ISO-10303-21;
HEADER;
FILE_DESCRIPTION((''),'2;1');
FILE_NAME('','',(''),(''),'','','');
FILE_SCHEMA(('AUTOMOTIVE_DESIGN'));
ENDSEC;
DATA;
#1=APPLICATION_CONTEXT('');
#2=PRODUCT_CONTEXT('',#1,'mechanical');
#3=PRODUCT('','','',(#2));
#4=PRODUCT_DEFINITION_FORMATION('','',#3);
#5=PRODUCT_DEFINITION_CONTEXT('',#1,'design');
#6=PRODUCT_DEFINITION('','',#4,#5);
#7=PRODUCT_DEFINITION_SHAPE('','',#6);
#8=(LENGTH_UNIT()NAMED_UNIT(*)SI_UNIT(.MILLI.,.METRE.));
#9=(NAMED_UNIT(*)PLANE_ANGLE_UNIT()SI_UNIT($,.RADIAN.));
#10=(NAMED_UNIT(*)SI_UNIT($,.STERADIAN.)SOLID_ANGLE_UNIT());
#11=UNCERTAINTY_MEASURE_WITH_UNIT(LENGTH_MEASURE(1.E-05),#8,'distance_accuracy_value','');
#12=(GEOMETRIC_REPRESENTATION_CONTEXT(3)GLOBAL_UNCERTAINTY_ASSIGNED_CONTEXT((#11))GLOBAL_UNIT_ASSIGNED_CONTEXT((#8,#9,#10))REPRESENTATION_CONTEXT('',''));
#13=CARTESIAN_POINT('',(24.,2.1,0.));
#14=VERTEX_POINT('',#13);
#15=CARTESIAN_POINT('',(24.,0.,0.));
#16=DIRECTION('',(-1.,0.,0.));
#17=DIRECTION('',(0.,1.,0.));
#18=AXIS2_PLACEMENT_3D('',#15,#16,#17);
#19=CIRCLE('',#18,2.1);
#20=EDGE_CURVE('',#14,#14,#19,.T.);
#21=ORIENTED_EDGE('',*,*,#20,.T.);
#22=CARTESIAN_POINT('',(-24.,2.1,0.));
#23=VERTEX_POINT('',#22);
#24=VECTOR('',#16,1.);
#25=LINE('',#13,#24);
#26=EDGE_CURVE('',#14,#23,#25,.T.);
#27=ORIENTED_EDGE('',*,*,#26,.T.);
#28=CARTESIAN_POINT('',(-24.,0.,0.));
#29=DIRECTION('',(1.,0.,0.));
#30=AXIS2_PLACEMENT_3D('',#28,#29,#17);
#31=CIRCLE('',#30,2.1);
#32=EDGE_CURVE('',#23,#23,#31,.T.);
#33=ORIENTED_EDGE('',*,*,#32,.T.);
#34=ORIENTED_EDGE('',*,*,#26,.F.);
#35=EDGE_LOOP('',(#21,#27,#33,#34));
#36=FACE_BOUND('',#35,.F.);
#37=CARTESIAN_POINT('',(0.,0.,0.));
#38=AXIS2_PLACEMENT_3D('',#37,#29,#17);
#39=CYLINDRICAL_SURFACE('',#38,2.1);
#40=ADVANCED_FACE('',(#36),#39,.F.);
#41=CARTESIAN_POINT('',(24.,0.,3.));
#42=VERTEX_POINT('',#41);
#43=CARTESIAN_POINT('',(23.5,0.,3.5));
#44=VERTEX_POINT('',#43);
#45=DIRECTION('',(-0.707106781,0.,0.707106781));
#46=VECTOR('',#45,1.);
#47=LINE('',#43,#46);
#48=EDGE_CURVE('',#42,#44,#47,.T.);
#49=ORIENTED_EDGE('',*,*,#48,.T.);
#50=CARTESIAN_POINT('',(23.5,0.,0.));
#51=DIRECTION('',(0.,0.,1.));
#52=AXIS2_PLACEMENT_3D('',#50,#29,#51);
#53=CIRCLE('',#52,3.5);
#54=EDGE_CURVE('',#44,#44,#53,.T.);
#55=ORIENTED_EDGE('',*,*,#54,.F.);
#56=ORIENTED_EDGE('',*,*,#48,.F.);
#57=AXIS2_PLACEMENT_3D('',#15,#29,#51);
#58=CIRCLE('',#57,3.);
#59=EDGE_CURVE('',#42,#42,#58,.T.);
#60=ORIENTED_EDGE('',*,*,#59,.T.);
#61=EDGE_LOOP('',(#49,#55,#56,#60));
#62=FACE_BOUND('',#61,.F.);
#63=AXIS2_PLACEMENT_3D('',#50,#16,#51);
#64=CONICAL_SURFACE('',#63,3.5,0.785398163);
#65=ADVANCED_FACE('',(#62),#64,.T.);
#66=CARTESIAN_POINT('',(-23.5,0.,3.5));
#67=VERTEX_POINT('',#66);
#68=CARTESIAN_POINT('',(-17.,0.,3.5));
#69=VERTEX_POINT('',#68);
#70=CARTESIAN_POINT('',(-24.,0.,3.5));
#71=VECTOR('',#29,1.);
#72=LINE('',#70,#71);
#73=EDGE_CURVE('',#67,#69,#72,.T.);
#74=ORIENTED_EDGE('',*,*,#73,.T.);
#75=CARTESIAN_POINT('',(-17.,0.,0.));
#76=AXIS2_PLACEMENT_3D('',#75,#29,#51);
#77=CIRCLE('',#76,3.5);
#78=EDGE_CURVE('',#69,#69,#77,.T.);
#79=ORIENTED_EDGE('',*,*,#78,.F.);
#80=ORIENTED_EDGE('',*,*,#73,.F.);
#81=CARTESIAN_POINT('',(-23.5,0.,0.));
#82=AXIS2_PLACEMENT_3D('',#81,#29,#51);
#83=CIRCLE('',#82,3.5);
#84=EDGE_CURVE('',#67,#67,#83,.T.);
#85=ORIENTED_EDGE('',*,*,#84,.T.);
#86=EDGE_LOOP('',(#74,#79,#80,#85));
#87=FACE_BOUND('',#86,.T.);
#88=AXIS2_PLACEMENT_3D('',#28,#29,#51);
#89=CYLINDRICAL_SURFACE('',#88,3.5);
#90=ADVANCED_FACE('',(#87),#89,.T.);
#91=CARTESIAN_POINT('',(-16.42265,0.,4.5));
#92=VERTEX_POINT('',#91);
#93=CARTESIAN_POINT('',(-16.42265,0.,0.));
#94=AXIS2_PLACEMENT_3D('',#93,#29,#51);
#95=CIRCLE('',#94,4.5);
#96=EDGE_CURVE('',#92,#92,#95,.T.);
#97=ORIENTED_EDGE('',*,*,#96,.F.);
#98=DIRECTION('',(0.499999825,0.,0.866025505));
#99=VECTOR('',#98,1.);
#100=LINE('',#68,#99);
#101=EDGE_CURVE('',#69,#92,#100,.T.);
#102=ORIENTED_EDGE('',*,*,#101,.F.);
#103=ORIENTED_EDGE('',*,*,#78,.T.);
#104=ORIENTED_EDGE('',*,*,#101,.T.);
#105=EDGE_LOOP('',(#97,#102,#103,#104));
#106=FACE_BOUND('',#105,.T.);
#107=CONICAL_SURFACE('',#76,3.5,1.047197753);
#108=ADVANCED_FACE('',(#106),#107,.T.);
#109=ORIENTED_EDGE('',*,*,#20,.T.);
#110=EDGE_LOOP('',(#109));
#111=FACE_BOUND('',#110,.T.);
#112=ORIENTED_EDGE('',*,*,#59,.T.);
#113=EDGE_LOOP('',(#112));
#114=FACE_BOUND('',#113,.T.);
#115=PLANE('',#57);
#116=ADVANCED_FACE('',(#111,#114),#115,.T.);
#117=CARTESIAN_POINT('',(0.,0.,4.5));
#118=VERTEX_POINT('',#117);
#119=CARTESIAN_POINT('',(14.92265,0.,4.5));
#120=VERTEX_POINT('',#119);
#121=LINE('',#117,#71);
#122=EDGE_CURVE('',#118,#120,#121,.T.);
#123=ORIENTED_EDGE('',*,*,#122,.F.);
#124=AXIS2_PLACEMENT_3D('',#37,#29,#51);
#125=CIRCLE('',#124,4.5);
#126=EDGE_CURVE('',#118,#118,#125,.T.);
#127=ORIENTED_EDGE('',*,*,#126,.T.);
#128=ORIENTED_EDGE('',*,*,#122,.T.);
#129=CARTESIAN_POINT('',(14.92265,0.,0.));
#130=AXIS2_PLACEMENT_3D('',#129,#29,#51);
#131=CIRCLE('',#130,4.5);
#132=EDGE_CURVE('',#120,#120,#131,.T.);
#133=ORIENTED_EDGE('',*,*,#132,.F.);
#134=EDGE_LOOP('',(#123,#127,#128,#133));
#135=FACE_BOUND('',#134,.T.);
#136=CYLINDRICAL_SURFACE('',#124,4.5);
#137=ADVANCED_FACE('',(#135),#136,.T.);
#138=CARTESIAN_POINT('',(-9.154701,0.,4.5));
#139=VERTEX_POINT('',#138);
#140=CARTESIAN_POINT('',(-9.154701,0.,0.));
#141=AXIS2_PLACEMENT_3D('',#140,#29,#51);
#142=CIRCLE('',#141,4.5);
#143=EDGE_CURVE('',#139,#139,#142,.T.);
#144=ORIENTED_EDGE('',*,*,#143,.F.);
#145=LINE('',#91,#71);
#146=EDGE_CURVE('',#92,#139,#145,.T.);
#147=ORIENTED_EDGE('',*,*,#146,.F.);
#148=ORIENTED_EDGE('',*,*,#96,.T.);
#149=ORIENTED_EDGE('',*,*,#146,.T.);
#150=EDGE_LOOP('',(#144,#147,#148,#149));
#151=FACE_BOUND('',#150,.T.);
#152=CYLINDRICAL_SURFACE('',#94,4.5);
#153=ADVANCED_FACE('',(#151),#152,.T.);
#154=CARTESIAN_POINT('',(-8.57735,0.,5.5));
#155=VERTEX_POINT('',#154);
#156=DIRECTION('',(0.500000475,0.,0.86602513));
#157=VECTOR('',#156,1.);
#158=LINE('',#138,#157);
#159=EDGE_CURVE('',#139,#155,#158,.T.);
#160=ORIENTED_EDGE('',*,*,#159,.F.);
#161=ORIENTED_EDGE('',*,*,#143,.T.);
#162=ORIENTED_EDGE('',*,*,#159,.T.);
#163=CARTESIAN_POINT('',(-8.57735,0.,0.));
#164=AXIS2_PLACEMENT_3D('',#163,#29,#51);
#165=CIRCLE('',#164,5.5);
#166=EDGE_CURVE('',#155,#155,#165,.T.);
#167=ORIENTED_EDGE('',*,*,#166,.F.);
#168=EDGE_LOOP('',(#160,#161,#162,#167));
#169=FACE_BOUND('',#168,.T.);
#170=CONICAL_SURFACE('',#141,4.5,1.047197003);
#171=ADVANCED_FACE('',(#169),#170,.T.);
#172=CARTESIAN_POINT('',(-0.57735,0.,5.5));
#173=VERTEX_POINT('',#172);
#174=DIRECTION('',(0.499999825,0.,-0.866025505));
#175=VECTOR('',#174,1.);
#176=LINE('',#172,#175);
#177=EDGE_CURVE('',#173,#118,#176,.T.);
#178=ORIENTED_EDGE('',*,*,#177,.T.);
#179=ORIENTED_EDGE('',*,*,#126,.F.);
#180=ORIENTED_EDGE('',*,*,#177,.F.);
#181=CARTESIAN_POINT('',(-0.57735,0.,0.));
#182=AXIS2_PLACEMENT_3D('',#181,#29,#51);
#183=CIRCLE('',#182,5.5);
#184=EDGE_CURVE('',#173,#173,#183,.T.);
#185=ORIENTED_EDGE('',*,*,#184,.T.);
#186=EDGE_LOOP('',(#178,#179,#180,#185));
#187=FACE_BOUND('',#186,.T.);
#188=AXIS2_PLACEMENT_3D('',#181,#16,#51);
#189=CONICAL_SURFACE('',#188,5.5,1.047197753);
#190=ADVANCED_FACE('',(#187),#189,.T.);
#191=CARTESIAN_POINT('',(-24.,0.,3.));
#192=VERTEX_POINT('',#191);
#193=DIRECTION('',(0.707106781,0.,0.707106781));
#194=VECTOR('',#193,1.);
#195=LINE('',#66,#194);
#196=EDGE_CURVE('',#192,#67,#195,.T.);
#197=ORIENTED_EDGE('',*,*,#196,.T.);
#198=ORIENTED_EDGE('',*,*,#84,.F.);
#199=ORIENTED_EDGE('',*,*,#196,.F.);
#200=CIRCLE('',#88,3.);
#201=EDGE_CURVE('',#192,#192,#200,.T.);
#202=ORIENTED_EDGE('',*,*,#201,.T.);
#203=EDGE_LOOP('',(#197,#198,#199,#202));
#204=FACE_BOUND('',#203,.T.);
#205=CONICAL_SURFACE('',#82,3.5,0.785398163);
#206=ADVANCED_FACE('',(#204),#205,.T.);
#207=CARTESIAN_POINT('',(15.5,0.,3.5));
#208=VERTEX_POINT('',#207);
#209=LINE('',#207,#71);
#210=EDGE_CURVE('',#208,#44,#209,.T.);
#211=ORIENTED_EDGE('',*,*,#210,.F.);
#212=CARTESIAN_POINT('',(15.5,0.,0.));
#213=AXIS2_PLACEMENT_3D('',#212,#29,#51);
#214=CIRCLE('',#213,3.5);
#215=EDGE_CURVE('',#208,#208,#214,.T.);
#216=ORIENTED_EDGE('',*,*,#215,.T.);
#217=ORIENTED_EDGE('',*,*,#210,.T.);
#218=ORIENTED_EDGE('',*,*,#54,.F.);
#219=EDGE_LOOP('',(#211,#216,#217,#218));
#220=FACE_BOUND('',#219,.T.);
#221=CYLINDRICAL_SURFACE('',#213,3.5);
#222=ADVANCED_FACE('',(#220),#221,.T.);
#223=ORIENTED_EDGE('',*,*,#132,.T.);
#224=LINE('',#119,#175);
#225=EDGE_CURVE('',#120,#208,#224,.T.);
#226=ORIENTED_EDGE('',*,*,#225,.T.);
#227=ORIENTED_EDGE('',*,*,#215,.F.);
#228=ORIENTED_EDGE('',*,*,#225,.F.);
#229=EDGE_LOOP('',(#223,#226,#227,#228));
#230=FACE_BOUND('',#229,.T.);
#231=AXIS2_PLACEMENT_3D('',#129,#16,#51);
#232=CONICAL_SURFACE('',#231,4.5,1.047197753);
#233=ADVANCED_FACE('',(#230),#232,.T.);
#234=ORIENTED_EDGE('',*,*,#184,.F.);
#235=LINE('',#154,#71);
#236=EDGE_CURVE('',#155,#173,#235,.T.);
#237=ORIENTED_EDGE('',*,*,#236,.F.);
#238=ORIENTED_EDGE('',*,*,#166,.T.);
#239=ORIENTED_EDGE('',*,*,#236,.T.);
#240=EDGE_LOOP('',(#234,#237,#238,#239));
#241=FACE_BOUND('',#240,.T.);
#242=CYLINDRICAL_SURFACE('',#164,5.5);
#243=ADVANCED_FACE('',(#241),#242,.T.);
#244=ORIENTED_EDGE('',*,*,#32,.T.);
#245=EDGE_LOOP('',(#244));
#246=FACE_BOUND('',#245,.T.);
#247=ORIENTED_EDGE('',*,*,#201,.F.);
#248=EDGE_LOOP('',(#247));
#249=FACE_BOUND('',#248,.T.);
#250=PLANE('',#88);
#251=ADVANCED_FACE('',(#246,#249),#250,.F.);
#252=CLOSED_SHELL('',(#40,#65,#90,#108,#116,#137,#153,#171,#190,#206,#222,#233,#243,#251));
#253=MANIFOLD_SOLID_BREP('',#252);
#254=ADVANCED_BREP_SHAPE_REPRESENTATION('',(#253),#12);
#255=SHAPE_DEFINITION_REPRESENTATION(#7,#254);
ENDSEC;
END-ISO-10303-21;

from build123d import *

# Parameters (mm, degrees)
SKETCH001_R       = 2.1
POCKET_DEPTH      = 24.001
POCKET_DEPTH_BACK = -24.001
CHAMFER_SIZE      = 0.5


with BuildPart() as part:
    # Sketch → Revolution (revolve)
    with BuildSketch(Plane.XZ):
        Polygon((24, 0), (-24, 0), (-24, 3.5), (-17, 3.5), (-16.42265, 4.5), (-9.154701, 4.5), (-8.57735, 5.5), (-0.57735, 5.5), (0, 4.5), (14.92265, 4.5), (15.5, 3.5), (24, 3.5), align=None)
    revolve(axis=Axis((0, 0, 0), (1, 0, 0)))

    # Sketch001 → Pocket (cut, two sides)
    with BuildSketch(Plane.YZ) as pocket_sk:
        Circle(SKETCH001_R)
    extrude(amount=-POCKET_DEPTH, mode=Mode.SUBTRACT)
    extrude(pocket_sk.sketch, amount=-POCKET_DEPTH_BACK, mode=Mode.SUBTRACT)

    # Chamfer
    chamfer_edges = [part.edges().sort_by_distance(p)[0] for p in [
        (-24, 0, -3.5),
        (24, 0, -3.5),
    ]]
    chamfer(chamfer_edges, length=CHAMFER_SIZE)


solid = part.part
